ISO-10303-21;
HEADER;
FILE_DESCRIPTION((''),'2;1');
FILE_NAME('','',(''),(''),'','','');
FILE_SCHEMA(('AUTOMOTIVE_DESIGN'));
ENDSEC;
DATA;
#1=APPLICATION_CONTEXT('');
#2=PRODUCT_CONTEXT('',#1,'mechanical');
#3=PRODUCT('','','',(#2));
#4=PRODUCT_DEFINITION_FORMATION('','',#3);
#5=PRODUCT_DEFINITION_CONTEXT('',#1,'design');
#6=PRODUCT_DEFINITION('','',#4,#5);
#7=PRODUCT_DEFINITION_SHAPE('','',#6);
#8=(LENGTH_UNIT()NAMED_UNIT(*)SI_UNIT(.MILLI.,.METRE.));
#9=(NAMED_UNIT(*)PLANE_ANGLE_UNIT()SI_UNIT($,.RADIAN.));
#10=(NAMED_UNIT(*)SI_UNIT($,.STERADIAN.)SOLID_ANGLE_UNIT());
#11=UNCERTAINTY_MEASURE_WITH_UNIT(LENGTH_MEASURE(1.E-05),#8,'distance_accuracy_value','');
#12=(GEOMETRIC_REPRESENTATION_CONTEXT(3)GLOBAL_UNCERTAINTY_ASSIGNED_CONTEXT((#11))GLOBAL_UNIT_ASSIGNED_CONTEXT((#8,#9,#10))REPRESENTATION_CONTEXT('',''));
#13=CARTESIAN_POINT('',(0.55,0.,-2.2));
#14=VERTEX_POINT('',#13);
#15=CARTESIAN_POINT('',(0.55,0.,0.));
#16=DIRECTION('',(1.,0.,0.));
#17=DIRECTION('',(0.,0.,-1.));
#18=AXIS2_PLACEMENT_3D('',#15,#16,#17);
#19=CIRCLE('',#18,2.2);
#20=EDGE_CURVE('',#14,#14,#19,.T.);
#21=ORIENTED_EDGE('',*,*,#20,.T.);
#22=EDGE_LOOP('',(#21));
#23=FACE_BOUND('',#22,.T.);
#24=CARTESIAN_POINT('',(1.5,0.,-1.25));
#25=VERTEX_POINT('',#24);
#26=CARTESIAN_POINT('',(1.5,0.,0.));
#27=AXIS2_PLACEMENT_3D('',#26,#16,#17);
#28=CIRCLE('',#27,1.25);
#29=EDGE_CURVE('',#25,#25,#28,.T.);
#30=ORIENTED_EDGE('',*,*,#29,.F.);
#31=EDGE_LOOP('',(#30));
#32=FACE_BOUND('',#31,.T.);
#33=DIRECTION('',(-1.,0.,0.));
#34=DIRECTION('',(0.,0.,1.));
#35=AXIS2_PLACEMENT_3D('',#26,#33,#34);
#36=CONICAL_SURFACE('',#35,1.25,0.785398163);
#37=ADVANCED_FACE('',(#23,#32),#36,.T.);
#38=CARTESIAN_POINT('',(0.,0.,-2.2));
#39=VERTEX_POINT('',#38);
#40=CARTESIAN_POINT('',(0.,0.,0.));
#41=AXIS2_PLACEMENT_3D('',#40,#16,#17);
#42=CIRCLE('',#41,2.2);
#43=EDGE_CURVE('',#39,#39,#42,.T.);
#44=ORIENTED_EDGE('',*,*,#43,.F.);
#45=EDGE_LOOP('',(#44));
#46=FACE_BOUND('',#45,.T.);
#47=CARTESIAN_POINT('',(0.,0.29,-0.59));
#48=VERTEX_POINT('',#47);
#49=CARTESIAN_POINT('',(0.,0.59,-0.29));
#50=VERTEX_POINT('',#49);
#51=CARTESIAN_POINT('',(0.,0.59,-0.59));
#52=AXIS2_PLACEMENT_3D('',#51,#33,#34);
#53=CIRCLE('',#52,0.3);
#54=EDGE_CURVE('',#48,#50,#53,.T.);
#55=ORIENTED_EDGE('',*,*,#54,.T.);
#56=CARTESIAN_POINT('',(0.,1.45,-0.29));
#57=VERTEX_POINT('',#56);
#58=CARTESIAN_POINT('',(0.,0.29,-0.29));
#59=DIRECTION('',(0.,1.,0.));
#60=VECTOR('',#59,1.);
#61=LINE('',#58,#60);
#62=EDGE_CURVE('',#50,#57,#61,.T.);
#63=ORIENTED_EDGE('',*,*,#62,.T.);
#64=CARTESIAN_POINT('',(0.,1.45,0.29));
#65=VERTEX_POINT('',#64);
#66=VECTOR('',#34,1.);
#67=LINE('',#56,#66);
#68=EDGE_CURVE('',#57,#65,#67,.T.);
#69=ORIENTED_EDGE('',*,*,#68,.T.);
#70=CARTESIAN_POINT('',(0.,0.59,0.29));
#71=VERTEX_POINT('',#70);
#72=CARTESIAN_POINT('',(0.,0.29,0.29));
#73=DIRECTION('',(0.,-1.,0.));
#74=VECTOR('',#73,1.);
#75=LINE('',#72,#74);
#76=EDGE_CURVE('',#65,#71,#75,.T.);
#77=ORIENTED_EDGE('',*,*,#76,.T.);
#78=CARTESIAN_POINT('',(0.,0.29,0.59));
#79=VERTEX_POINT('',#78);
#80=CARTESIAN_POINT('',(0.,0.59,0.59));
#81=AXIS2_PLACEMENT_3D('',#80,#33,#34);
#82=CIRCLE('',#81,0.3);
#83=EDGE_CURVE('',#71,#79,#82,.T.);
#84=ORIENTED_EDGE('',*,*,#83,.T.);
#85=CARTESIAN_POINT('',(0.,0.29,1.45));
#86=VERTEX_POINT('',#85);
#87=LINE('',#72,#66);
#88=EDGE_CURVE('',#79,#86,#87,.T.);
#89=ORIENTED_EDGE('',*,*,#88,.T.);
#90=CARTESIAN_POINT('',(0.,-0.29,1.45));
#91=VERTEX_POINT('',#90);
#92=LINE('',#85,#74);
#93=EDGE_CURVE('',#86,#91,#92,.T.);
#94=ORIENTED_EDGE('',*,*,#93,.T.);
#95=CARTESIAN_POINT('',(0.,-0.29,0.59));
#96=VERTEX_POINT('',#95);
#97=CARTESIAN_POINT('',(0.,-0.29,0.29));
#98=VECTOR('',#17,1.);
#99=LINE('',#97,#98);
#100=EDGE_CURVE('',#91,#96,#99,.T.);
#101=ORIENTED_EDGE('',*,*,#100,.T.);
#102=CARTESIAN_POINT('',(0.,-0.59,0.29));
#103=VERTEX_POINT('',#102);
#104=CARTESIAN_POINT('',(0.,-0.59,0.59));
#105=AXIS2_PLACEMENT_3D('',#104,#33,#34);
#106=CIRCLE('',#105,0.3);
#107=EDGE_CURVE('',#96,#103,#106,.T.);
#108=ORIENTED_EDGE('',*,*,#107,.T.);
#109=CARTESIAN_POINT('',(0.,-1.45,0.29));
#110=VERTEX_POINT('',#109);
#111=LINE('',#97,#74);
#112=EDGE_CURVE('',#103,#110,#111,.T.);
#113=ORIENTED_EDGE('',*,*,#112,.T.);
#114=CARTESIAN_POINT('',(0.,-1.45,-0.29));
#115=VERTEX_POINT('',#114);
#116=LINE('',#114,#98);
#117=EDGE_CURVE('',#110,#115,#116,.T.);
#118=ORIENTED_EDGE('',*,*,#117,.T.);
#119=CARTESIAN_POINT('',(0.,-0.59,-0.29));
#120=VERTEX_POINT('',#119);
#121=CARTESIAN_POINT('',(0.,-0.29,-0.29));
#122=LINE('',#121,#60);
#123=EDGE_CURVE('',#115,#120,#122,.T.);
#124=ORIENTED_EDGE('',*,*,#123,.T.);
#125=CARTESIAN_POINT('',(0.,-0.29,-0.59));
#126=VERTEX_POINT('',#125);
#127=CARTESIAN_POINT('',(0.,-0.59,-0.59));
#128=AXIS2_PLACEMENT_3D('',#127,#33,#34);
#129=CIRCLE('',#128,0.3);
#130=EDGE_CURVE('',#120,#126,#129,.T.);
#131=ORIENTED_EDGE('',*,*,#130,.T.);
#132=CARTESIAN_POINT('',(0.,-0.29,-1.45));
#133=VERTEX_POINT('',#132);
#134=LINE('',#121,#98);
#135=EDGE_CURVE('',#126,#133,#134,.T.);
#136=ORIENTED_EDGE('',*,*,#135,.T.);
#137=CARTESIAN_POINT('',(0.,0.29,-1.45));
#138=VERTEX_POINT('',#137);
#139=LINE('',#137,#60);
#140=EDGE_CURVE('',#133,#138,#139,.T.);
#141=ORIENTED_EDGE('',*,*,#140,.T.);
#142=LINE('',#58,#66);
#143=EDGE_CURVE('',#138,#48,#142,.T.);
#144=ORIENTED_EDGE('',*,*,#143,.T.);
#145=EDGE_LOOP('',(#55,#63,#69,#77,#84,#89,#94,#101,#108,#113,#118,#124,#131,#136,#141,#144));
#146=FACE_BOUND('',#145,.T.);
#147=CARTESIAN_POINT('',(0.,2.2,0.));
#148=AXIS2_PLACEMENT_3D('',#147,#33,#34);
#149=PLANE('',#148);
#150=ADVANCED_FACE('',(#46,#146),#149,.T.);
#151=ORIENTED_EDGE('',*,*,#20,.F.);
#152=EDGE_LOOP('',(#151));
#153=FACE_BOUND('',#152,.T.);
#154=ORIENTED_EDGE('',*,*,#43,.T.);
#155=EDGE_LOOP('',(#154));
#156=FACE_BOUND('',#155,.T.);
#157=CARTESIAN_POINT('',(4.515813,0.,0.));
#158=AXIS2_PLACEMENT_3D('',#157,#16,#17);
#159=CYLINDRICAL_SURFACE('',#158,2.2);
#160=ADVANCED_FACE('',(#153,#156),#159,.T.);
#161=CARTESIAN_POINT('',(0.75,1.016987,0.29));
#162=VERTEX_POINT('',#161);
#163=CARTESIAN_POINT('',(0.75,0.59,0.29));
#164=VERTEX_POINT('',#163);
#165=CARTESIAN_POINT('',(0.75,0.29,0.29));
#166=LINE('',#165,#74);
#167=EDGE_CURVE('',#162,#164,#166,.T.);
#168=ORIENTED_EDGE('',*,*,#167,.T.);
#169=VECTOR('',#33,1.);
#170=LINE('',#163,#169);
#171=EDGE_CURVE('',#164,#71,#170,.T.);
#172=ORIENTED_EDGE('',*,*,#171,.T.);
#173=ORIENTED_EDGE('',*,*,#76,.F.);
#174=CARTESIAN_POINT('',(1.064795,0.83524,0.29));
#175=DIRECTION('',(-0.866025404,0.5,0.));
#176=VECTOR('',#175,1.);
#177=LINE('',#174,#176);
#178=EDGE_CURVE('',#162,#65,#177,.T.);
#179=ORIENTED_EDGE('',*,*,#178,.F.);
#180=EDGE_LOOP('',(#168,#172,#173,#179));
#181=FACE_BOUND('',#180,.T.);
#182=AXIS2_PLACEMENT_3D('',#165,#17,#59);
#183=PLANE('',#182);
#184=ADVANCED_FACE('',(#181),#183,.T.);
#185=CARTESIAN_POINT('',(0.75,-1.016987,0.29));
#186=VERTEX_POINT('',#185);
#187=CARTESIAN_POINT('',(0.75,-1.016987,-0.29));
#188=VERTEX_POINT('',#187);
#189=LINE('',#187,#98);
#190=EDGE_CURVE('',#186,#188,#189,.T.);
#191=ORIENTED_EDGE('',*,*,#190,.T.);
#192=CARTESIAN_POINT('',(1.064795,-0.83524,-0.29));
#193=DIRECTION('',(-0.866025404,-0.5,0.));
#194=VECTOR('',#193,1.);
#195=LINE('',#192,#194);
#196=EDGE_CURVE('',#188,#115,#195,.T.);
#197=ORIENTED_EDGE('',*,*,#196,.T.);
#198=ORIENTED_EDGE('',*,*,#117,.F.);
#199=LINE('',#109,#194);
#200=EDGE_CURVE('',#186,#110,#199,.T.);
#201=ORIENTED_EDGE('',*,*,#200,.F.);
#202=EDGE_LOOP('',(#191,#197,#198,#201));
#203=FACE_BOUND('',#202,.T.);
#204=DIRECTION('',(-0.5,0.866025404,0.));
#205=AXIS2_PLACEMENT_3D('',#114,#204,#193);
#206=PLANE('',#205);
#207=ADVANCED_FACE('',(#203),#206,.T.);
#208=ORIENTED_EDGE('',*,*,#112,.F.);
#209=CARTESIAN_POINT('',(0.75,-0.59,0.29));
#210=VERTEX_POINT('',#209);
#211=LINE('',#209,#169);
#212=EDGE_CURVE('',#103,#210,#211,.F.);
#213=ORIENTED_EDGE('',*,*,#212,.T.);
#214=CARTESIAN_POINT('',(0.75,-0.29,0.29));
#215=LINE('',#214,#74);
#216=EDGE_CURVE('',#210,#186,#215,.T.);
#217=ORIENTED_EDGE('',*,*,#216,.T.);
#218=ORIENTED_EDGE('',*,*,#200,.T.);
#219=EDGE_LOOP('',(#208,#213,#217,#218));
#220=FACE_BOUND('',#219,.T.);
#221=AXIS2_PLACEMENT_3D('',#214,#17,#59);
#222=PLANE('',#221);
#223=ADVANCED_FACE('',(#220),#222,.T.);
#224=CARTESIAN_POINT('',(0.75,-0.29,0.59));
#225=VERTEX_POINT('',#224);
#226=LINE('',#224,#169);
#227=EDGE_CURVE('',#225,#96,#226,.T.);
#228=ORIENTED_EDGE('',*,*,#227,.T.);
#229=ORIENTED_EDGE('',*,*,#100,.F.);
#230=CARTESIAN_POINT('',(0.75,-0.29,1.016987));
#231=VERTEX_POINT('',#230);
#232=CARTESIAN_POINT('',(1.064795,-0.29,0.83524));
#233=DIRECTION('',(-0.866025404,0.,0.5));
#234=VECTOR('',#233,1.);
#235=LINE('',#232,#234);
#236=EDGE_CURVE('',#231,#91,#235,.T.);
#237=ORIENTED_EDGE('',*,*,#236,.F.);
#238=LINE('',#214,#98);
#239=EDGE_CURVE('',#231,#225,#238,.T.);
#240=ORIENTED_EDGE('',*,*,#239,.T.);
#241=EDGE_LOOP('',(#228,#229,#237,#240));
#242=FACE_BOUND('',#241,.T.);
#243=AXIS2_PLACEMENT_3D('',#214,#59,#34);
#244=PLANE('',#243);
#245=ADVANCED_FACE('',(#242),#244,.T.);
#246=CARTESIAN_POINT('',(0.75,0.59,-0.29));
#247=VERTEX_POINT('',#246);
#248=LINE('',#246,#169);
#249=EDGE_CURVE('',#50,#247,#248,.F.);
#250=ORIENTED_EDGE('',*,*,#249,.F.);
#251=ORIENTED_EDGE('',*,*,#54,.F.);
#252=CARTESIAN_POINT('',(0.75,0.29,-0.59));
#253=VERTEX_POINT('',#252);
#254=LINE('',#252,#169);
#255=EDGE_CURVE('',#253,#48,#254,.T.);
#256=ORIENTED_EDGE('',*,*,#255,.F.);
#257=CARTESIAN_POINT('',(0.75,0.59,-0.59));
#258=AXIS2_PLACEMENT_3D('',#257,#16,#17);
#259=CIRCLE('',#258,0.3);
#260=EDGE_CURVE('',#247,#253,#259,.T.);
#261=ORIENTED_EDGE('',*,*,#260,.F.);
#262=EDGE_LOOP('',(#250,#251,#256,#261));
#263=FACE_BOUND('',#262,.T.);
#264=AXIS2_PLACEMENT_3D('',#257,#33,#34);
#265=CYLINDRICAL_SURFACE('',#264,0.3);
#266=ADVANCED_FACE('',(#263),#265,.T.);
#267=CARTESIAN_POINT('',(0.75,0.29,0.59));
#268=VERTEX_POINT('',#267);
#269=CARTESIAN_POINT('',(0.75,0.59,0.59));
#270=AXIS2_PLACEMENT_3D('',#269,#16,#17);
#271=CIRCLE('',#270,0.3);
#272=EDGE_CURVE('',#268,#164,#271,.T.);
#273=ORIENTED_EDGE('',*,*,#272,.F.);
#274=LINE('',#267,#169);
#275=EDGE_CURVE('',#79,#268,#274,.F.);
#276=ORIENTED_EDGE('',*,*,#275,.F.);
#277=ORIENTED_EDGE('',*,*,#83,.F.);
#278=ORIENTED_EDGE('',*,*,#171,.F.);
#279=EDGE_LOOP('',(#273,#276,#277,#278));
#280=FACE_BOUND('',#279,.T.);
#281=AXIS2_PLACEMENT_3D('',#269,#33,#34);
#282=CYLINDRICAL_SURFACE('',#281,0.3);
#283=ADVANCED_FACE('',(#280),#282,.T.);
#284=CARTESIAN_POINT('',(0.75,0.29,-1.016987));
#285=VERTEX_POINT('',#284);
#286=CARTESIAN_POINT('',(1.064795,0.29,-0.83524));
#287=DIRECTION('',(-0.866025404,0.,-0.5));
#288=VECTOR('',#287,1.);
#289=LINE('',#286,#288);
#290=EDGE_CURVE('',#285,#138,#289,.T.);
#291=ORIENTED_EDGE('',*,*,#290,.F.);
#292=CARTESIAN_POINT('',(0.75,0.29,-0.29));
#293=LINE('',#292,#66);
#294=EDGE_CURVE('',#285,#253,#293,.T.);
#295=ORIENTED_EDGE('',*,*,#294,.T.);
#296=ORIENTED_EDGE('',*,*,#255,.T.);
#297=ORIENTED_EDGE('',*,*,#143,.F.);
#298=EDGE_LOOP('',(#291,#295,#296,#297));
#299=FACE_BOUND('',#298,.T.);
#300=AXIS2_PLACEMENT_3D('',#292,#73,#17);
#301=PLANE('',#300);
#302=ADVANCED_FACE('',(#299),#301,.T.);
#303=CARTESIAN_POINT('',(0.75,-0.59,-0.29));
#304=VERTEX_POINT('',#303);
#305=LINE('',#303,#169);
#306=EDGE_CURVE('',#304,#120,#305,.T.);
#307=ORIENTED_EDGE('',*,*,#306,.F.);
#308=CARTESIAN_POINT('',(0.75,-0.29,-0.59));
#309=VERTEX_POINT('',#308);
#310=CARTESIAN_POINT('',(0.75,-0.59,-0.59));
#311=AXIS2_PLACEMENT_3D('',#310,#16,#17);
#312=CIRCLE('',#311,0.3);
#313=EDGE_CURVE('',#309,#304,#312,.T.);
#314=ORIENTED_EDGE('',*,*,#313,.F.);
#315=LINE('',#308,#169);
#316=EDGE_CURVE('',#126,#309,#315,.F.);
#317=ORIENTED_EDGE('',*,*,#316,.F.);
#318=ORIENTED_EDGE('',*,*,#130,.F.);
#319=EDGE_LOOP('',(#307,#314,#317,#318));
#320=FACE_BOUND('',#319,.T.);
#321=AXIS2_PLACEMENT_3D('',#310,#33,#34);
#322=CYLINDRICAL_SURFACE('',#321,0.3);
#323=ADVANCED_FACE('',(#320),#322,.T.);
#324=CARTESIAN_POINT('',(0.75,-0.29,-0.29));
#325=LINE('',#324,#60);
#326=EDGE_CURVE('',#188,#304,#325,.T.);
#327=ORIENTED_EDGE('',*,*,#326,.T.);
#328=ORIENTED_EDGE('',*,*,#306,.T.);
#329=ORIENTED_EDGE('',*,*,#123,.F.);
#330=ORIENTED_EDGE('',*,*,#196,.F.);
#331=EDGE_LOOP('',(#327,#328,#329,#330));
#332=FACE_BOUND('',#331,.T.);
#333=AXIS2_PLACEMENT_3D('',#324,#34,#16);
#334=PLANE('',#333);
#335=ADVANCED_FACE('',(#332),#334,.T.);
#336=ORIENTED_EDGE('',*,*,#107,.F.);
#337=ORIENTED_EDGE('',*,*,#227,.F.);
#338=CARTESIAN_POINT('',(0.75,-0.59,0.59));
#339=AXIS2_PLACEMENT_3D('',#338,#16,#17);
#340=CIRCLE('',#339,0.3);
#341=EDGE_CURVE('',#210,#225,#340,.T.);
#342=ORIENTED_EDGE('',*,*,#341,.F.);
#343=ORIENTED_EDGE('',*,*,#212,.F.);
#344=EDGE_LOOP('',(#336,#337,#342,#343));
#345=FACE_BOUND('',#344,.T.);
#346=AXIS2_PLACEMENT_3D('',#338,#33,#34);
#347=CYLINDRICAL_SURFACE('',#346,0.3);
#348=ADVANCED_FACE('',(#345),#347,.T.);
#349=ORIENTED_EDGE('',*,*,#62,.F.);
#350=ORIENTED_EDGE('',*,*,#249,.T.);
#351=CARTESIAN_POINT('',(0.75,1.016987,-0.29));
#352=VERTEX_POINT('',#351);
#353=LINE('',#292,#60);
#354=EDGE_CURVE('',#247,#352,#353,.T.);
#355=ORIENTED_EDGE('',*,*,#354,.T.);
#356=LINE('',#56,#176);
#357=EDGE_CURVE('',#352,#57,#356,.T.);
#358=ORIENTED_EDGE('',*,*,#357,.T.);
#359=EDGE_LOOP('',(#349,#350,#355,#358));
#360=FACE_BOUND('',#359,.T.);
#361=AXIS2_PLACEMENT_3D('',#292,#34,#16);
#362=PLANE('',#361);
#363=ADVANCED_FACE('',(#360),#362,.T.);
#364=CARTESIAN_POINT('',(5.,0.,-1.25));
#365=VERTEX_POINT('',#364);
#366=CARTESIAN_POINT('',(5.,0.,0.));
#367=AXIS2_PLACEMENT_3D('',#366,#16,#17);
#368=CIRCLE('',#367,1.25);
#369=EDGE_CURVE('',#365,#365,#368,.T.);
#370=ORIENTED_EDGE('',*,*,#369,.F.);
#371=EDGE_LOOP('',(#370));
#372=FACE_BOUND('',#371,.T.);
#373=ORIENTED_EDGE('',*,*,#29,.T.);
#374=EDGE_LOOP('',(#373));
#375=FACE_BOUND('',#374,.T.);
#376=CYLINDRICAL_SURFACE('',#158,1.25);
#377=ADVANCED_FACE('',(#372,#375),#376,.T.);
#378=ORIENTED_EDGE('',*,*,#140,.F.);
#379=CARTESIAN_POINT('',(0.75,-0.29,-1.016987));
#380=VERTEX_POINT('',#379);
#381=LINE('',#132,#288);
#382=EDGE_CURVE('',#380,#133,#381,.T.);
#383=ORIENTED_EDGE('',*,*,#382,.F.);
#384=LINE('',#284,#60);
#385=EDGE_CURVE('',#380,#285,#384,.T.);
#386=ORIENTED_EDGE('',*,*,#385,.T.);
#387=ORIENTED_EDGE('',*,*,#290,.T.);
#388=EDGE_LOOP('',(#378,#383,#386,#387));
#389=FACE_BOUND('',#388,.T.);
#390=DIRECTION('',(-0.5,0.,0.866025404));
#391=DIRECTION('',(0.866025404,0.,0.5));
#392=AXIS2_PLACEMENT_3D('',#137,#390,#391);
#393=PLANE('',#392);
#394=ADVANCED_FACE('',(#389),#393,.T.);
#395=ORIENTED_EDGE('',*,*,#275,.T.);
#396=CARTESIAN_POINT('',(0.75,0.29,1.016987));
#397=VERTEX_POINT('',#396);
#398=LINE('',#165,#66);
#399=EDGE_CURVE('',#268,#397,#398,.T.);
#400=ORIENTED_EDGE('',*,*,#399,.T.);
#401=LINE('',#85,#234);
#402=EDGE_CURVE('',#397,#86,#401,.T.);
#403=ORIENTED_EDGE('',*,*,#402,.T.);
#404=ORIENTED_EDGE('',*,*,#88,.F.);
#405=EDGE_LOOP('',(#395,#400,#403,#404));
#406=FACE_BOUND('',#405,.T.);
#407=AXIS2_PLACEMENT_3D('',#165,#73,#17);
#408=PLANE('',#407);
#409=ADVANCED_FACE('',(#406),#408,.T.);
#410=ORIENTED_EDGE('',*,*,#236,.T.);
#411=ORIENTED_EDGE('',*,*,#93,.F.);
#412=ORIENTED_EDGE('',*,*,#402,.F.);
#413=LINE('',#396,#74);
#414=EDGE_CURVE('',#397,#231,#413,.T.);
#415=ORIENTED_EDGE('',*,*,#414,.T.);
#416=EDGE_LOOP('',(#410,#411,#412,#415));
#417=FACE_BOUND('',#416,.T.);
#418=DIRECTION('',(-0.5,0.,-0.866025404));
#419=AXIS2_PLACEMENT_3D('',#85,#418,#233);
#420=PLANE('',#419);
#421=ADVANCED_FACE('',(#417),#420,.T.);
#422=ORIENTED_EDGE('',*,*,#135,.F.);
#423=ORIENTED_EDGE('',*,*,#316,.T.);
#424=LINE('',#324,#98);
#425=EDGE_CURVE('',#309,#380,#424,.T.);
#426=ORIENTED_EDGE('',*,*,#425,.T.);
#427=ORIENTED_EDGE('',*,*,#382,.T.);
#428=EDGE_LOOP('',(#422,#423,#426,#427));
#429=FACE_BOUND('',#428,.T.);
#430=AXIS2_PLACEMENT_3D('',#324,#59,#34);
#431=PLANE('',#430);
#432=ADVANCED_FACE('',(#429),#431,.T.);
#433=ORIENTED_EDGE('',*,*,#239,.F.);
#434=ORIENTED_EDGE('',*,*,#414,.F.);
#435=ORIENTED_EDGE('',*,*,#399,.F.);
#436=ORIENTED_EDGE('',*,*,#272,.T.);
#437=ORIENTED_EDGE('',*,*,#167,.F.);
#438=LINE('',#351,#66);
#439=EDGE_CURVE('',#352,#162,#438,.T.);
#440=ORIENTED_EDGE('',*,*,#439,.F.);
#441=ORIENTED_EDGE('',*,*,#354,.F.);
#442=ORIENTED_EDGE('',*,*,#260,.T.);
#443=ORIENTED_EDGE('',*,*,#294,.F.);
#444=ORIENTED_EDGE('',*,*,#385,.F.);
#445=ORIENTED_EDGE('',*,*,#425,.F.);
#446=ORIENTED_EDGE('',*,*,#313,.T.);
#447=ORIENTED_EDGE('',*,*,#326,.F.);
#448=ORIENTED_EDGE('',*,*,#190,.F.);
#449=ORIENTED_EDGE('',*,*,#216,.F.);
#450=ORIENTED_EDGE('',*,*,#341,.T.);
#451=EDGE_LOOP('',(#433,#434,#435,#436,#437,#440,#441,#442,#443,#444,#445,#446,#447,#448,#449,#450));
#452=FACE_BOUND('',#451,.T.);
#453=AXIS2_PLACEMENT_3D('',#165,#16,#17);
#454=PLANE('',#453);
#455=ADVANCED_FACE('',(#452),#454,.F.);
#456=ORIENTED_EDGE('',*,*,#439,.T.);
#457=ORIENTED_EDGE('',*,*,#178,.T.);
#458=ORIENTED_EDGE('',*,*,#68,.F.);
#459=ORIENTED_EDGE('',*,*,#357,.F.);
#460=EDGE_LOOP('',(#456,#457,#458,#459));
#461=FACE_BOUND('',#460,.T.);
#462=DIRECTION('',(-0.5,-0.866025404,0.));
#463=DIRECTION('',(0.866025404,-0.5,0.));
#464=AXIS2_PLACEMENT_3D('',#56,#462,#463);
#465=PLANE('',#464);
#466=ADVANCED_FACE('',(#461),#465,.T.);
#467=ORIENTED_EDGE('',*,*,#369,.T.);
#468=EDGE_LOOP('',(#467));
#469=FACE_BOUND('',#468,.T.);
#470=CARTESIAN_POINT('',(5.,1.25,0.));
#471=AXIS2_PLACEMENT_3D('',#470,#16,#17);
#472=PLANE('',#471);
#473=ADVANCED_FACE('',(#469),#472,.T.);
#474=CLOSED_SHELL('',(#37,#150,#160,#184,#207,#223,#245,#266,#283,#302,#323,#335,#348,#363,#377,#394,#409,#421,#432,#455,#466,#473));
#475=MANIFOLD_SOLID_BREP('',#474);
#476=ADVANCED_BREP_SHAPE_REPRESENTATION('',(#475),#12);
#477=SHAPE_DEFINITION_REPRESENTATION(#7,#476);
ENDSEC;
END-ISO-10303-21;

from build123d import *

# Parameters (mm, degrees)
CROSSRECESS_DEPTH = 0.75
DRAFT9_ANGLE      = 30
FILLET5_R         = 0.3
SKETCH10_W        = 0.45
SKETCH10_H        = 1.25


with BuildPart() as part:
    # Sketch1 → Base (revolve)
    with BuildSketch(Plane.XY, mode=Mode.PRIVATE) as base_sk:
        Polygon((5, 1.25), (2.4, 1.25), (1.5, 1.25), (0.55, 2.2), (0, 2.2), (0, 0), (5, 0), align=None)
    revolve(base_sk.sketch.rotate(Axis((4.515812911, 0, 0), (-1, 0, 0)), 90), axis=Axis((4.515812911, 0, 0), (-1, 0, 0)))

    # Sketch6 → CrossRecess (cut)
    with BuildSketch(Plane(origin=(0, 0, 0), x_dir=(0, 0, -1), z_dir=(1, 0, 0))):
        Polygon((0.29, 0.29), (0.29, 1.45), (-0.29, 1.45), (-0.29, 0.29), (-1.45, 0.29), (-1.45, -0.29), (-0.29, -0.29), (-0.29, -1.45), (0.29, -1.45), (0.29, -0.29), (1.45, -0.29), (1.45, 0.29), align=None)
    extrude(amount=CROSSRECESS_DEPTH, mode=Mode.SUBTRACT)

    # Draft9
    draft9_faces = [part.faces().sort_by_distance(p)[0] for p in [
        (0.375, -1.45, 0),
        (0.375, 0, 1.45),
        (0.375, 0, -1.45),
        (0.375, 1.45, 0),
    ]]
    draft(draft9_faces, Plane(origin=(0, 2.2, 0), x_dir=(0, 0, -1), z_dir=(-1, 0, 0)), DRAFT9_ANGLE)

    # Fillet5
    fillet5_edges = [part.edges().sort_by_distance(p)[0] for p in [
        (0.375, 0.29, 0.29),
        (0.375, -0.29, 0.29),
        (0.375, -0.29, -0.29),
        (0.375, 0.29, -0.29),
    ]]
    fillet(fillet5_edges, radius=FILLET5_R)

    # Sketch10 → Revolve2 (revolve)
    with BuildSketch(Plane.XY):
        with Locations((1.725, 0.625)):
            Rectangle(SKETCH10_W, SKETCH10_H)
    revolve(axis=Axis((62.228915663, 0, 0), (-1, 0, 0)))


solid = part.part
